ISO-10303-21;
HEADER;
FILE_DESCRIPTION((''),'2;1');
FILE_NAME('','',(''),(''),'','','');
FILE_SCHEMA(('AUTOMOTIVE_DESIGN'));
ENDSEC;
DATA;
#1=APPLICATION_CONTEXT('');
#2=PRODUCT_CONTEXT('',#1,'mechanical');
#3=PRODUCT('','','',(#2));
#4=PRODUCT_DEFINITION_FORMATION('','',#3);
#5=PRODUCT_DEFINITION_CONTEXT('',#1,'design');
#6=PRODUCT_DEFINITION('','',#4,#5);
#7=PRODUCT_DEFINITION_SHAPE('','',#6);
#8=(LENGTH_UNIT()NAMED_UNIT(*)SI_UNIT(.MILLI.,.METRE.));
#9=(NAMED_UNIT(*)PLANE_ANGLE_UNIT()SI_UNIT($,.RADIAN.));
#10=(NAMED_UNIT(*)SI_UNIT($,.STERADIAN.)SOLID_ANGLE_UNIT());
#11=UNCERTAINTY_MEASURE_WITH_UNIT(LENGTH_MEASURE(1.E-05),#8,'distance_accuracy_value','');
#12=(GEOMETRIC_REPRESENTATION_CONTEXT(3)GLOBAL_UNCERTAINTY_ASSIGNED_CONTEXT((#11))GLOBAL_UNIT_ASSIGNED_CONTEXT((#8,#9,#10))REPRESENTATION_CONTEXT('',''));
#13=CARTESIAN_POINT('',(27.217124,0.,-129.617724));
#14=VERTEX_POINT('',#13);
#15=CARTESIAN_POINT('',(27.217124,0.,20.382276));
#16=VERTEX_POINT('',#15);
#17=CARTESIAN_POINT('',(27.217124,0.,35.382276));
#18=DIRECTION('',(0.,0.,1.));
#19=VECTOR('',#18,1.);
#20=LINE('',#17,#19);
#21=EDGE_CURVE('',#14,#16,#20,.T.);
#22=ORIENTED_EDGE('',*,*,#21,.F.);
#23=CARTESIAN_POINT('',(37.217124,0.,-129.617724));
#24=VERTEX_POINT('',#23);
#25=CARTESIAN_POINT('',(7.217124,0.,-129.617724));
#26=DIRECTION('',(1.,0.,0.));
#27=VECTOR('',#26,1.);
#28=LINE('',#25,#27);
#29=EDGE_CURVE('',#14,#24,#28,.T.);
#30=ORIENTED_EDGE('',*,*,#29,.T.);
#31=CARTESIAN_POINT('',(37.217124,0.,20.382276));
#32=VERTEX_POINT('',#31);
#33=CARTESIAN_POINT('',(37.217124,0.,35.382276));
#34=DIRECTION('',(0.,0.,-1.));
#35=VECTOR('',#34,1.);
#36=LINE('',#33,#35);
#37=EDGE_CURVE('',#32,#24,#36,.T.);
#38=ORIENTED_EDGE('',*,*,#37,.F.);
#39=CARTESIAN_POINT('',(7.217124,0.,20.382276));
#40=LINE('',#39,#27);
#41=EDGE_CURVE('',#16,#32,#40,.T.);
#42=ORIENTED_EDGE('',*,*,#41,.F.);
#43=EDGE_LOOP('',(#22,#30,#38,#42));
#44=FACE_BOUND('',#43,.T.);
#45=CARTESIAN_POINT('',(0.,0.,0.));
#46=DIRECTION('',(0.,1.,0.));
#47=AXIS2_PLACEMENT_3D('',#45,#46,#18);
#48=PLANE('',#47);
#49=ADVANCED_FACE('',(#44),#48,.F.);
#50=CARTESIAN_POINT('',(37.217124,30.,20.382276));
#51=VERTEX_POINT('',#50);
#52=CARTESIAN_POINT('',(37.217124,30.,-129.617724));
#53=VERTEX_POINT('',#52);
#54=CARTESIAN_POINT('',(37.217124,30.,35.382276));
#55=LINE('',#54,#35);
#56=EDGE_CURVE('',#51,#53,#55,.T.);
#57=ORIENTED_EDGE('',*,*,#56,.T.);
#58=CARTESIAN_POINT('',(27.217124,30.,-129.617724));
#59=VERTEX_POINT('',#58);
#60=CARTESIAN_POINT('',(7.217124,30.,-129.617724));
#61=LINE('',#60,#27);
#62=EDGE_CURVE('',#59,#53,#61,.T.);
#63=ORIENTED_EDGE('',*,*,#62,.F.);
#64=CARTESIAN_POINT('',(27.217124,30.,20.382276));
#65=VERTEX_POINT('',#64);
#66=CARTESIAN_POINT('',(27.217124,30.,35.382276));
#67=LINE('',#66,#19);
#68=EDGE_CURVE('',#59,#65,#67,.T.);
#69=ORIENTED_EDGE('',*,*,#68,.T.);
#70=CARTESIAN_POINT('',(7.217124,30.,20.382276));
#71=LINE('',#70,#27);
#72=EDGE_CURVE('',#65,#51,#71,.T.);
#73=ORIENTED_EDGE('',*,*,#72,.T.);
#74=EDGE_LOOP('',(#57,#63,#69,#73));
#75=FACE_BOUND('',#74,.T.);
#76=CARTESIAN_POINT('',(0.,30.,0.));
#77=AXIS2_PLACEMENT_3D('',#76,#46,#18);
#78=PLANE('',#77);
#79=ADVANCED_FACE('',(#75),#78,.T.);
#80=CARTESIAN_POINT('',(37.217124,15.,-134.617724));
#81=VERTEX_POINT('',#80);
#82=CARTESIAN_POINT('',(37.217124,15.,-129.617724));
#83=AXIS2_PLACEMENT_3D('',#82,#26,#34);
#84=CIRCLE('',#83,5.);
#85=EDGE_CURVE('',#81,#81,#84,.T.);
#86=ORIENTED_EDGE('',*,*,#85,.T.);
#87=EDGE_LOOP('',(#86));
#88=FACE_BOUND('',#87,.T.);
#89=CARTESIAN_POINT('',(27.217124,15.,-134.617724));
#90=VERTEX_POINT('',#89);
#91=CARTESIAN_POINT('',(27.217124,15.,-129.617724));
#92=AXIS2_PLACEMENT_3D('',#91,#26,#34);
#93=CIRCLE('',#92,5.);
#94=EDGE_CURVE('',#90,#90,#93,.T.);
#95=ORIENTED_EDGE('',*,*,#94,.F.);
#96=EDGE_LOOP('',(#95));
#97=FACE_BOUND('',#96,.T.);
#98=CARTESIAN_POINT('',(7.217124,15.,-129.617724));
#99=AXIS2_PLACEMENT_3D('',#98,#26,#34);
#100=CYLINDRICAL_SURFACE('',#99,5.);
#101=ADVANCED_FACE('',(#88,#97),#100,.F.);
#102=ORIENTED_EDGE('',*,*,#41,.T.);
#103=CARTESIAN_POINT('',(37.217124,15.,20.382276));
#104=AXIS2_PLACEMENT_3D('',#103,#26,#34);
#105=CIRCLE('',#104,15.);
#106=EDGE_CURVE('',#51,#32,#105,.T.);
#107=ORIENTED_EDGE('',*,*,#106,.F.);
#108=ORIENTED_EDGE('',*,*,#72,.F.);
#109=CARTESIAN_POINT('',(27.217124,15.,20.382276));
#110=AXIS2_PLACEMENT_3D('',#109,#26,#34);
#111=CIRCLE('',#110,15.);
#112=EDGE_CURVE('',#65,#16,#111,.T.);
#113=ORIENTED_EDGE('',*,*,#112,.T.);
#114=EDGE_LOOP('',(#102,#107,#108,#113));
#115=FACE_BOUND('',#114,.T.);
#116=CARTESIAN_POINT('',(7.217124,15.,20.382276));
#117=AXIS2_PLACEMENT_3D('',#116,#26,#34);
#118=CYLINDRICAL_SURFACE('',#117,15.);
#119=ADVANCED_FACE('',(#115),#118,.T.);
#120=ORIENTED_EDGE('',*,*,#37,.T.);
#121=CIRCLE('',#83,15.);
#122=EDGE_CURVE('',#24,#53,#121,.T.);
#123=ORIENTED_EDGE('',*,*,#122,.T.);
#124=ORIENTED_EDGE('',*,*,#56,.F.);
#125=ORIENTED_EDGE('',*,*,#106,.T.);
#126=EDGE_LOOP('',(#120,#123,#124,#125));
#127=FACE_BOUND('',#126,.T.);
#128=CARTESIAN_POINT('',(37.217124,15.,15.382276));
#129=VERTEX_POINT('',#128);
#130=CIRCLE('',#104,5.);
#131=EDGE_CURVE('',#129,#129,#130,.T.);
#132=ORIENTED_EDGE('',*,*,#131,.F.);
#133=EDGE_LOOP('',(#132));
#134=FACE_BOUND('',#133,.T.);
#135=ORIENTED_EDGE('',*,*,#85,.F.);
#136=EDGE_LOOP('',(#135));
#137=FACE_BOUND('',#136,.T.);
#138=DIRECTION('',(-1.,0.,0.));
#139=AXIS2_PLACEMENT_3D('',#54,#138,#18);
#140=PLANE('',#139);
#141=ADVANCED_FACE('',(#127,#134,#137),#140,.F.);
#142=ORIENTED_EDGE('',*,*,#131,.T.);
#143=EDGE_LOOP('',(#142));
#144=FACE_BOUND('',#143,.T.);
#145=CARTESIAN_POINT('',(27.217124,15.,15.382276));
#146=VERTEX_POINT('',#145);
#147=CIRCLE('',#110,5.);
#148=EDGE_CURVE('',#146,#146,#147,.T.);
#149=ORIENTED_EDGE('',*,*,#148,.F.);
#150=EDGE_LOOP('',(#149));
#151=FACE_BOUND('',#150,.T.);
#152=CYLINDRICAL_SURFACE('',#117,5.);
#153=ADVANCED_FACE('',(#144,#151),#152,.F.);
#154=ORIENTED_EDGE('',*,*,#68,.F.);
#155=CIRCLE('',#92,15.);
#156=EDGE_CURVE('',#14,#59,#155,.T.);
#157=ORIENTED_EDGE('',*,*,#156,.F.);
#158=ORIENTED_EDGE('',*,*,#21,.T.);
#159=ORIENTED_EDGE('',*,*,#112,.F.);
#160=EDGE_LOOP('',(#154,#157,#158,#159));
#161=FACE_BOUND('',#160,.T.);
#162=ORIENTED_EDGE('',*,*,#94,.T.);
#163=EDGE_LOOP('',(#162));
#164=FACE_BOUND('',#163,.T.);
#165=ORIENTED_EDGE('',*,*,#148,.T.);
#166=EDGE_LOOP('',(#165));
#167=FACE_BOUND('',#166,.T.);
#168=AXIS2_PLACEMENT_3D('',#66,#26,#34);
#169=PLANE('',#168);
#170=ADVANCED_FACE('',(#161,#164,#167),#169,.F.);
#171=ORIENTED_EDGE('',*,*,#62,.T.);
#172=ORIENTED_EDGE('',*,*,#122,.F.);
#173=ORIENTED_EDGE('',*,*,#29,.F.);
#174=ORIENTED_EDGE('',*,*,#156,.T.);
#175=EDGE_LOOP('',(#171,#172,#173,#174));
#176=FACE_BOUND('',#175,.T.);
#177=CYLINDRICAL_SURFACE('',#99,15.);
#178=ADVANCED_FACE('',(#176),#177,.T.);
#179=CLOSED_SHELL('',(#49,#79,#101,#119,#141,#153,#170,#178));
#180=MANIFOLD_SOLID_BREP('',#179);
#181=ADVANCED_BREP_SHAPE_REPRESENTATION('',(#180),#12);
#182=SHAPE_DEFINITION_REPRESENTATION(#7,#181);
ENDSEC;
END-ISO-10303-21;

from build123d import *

# Parameters (mm, degrees)
SKETCH_1_W          = 10
SKETCH_1_H          = 180
EXTRUDE_1_DEPTH     = 30
SKETCH_3_R          = 5
CUT_EXTRUDE_3_DEPTH = 30


with BuildPart() as part:
    # Эскиз1 → Бобышка-Вытянуть1 (new body)
    with BuildSketch(Plane(origin=(0, 0, 0), x_dir=(1, 0, 0), z_dir=(0, 1, 0))):
        with Locations((32.217123935, 54.617723996)):
            Rectangle(SKETCH_1_W, SKETCH_1_H)
    extrude(amount=EXTRUDE_1_DEPTH)

    # Эскиз3 → Вырез-Вытянуть3 (cut)
    with BuildSketch(Plane(origin=(37.217123935, 0, 0), x_dir=(0, 0, -1), z_dir=(1, 0, 0))):
        with BuildLine():
            ThreePointArc((129.617723996, 30), (140.224325714, 25.606601718), (144.617723996, 15))
            Line((144.617723996, 15), (144.617723996, 30))
            Line((144.617723996, 30), (129.617723996, 30))
        make_face()
        with BuildLine():
            Line((129.617723996, 0), (144.617723996, 0))
            Line((144.617723996, 0), (144.617723996, 15))
            ThreePointArc((144.617723996, 15), (140.224325714, 4.393398282), (129.617723996, 0))
        make_face()
        with BuildLine():
            Line((-35.382276004, 0), (-20.382276004, 0))
            ThreePointArc((-20.382276004, 0), (-30.988877721, 4.393398282), (-35.382276004, 15))
            Line((-35.382276004, 15), (-35.382276004, 0))
        make_face()
        with BuildLine():
            ThreePointArc((-35.382276004, 15), (-30.988877721, 25.606601718), (-20.382276004, 30))
            Line((-20.382276004, 30), (-35.382276004, 30))
            Line((-35.382276004, 30), (-35.382276004, 15))
        make_face()
        with Locations((129.617723996, 15)):
            Circle(SKETCH_3_R)
        with Locations((-20.382276004, 15)):
            Circle(SKETCH_3_R)
    extrude(amount=-CUT_EXTRUDE_3_DEPTH, mode=Mode.SUBTRACT)


solid = part.part
